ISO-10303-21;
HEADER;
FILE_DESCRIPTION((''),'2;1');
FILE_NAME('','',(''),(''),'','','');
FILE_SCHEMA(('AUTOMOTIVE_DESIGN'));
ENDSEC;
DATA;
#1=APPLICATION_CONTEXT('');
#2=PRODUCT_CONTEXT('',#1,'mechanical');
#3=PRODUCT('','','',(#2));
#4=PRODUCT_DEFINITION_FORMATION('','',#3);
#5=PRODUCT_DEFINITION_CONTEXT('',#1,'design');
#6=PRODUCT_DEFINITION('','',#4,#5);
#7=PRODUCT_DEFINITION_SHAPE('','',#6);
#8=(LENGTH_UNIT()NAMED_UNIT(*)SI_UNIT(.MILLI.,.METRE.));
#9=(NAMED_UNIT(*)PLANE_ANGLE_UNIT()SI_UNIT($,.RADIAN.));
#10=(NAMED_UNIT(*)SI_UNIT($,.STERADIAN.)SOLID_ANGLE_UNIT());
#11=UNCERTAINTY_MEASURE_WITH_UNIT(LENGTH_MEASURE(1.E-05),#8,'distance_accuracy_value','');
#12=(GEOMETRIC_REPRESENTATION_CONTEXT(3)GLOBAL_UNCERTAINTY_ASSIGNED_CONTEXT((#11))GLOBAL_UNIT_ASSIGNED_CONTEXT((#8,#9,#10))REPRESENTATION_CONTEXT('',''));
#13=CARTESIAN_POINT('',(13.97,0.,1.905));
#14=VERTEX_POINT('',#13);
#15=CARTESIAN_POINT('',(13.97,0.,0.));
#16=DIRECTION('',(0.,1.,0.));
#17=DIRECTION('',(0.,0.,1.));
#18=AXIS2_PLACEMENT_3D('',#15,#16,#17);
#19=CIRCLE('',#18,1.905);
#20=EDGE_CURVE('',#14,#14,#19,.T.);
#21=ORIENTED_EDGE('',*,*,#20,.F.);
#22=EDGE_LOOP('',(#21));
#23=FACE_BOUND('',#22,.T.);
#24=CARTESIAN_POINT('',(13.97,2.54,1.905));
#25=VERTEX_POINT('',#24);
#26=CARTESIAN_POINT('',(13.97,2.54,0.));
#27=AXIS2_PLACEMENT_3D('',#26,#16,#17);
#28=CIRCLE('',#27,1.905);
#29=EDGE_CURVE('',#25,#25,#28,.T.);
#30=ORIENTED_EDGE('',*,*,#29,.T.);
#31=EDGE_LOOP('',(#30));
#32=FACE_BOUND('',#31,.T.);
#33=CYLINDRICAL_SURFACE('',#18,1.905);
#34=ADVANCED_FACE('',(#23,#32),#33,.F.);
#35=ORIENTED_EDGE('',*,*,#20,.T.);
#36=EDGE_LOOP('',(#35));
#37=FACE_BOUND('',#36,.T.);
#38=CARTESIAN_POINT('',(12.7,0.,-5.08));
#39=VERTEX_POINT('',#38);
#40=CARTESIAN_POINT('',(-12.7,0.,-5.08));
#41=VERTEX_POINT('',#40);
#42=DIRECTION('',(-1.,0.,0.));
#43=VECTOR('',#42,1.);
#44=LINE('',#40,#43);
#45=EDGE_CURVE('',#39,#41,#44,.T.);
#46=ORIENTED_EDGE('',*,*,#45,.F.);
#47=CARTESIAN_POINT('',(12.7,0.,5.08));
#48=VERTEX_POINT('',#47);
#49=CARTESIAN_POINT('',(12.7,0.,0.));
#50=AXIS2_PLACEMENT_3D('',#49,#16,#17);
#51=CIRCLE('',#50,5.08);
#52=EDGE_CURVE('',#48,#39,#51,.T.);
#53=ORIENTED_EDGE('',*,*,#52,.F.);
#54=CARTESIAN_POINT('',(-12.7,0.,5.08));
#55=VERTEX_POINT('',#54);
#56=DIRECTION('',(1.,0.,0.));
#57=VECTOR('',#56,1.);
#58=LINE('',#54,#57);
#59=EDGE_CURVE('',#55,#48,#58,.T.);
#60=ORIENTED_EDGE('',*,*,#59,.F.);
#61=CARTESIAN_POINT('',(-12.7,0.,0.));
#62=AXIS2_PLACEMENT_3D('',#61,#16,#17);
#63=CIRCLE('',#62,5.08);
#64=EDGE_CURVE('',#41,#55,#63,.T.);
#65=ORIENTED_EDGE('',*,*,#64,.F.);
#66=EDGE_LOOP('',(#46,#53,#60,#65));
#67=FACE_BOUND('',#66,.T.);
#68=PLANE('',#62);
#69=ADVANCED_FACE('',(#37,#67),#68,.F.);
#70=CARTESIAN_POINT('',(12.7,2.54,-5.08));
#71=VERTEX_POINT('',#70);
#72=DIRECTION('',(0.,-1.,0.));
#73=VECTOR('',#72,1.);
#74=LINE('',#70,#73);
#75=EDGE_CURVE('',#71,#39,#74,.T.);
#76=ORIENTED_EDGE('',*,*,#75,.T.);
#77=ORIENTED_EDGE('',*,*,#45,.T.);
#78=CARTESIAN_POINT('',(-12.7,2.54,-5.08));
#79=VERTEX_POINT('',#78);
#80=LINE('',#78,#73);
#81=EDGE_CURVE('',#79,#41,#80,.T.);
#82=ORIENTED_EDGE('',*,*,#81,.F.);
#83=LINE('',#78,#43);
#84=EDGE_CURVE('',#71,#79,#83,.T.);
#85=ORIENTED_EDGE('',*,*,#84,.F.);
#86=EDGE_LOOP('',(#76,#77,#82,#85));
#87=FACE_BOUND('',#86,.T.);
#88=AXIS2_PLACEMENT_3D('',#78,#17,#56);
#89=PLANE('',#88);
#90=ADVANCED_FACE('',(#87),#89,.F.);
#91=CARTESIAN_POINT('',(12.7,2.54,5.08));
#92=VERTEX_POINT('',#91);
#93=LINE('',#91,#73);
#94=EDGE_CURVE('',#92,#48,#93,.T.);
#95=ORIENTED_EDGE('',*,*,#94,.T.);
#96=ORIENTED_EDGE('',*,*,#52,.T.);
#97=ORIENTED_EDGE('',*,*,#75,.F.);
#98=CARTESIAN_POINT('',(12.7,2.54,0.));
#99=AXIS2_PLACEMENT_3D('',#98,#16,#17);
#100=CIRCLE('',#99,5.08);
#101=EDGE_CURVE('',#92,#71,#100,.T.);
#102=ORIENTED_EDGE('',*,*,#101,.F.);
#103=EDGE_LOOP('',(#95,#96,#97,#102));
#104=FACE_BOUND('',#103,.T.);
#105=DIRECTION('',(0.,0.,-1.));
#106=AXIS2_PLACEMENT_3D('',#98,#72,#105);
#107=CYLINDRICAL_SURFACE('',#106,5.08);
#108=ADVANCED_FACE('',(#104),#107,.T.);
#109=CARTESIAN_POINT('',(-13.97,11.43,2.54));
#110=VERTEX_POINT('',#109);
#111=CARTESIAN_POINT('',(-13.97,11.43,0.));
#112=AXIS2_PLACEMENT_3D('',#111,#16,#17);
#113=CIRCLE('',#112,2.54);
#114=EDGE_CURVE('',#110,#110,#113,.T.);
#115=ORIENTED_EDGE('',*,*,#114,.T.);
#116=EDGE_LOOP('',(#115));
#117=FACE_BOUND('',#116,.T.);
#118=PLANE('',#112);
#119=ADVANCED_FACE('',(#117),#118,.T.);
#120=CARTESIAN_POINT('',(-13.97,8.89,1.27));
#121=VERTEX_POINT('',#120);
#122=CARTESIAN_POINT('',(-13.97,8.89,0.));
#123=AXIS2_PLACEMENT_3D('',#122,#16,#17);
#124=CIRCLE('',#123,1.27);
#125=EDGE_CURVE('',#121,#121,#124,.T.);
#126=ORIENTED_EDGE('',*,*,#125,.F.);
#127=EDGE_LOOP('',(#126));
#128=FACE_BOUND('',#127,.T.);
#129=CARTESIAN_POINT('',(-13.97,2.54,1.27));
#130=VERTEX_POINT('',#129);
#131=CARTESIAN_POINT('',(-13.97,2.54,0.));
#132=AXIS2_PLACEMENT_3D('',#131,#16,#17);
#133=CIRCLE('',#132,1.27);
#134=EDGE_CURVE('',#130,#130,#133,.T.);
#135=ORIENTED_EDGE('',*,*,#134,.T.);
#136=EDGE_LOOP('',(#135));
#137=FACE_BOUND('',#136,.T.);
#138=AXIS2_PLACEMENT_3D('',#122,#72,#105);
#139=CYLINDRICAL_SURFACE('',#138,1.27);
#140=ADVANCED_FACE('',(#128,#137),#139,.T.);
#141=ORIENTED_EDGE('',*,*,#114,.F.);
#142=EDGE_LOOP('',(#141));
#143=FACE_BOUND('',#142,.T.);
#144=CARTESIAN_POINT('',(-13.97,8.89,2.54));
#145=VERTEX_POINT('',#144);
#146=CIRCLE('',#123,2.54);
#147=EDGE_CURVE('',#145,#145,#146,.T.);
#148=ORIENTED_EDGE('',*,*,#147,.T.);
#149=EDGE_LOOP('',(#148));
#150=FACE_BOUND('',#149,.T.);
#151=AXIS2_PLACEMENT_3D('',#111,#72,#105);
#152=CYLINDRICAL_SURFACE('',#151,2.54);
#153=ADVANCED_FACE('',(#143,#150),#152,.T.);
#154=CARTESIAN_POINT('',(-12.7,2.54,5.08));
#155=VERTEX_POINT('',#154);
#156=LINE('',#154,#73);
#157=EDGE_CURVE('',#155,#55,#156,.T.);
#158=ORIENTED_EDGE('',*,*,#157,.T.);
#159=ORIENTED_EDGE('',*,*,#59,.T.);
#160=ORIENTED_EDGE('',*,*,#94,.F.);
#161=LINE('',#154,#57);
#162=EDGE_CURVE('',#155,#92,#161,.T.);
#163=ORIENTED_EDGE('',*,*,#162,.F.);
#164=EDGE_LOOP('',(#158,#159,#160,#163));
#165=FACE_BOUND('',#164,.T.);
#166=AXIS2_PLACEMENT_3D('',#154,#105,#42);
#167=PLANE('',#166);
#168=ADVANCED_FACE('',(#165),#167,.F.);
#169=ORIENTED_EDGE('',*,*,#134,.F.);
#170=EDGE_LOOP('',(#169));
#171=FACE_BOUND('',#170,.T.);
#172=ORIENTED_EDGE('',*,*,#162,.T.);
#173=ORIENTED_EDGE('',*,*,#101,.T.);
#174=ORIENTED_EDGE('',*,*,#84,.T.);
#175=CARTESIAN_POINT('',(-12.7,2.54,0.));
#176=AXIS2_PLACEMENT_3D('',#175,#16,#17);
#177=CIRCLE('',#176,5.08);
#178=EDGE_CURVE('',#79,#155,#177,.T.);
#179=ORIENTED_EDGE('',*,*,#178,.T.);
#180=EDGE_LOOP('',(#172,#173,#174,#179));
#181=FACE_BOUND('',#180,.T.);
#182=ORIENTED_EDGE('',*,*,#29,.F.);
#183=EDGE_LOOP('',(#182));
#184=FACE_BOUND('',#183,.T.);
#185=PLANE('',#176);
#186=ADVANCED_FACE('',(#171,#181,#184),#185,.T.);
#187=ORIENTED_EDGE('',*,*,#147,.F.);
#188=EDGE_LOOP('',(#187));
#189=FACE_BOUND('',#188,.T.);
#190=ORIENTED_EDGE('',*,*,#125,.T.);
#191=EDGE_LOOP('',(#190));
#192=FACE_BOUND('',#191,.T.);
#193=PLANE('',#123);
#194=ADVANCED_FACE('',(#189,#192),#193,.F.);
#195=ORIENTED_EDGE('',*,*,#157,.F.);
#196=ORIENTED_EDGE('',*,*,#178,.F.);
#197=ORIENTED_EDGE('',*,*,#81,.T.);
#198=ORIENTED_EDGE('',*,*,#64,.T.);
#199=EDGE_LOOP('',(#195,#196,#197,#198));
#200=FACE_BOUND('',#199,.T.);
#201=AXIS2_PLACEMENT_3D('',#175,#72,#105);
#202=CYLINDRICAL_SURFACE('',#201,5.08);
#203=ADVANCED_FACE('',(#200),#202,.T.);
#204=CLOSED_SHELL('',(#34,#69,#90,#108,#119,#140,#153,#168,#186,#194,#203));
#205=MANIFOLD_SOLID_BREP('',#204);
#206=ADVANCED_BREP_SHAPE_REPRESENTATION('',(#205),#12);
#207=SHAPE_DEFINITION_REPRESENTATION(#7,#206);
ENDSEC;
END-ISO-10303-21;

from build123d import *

# Parameters (mm, degrees)
BATON_DEPTH       = 2.54
SKETCH2_R         = 1.27
JOIN_DEPTH        = 6.35
SKETCH4_R         = 2.54
JOINER_CAP_DEPTH  = 2.54
SKETCH5_R         = 1.905
JOINER_HOLE_DEPTH = 2.54


with BuildPart() as part:
    # Sketch1 → baton (new body)
    with BuildSketch(Plane(origin=(0, 0, 0), x_dir=(1, 0, 0), z_dir=(0, 1, 0))):
        with BuildLine():
            Line((-12.7, 5.08), (12.7, 5.08))
            ThreePointArc((12.7, 5.08), (17.78, 0), (12.7, -5.08))
            Line((12.7, -5.08), (-12.7, -5.08))
            ThreePointArc((-12.7, -5.08), (-17.78, 0), (-12.7, 5.08))
        make_face()
    extrude(amount=BATON_DEPTH)

    # Sketch2 → join (add)
    with BuildSketch(Plane(origin=(0, 2.54, 0), x_dir=(1, 0, 0), z_dir=(0, 1, 0))):
        with Locations(Location((-13.97, 0, 0), (0, 0, 270))):
            Circle(SKETCH2_R)
    extrude(amount=JOIN_DEPTH)

    # Sketch4 → joiner cap (add)
    with BuildSketch(Plane(origin=(0, 8.89, 0), x_dir=(1, 0, 0), z_dir=(0, 1, 0))):
        with Locations(Location((-13.97, 0, 0), (0, 0, 270))):
            Circle(SKETCH4_R)
    extrude(amount=JOINER_CAP_DEPTH)

    # Sketch5 → joiner hole (cut)
    with BuildSketch(Plane(origin=(0, 2.54, 0), x_dir=(1, 0, 0), z_dir=(0, 1, 0))):
        with Locations(Location((13.97, 0, 0), (0, 0, 270))):
            Circle(SKETCH5_R)
    extrude(amount=-JOINER_HOLE_DEPTH, mode=Mode.SUBTRACT)


solid = part.part
